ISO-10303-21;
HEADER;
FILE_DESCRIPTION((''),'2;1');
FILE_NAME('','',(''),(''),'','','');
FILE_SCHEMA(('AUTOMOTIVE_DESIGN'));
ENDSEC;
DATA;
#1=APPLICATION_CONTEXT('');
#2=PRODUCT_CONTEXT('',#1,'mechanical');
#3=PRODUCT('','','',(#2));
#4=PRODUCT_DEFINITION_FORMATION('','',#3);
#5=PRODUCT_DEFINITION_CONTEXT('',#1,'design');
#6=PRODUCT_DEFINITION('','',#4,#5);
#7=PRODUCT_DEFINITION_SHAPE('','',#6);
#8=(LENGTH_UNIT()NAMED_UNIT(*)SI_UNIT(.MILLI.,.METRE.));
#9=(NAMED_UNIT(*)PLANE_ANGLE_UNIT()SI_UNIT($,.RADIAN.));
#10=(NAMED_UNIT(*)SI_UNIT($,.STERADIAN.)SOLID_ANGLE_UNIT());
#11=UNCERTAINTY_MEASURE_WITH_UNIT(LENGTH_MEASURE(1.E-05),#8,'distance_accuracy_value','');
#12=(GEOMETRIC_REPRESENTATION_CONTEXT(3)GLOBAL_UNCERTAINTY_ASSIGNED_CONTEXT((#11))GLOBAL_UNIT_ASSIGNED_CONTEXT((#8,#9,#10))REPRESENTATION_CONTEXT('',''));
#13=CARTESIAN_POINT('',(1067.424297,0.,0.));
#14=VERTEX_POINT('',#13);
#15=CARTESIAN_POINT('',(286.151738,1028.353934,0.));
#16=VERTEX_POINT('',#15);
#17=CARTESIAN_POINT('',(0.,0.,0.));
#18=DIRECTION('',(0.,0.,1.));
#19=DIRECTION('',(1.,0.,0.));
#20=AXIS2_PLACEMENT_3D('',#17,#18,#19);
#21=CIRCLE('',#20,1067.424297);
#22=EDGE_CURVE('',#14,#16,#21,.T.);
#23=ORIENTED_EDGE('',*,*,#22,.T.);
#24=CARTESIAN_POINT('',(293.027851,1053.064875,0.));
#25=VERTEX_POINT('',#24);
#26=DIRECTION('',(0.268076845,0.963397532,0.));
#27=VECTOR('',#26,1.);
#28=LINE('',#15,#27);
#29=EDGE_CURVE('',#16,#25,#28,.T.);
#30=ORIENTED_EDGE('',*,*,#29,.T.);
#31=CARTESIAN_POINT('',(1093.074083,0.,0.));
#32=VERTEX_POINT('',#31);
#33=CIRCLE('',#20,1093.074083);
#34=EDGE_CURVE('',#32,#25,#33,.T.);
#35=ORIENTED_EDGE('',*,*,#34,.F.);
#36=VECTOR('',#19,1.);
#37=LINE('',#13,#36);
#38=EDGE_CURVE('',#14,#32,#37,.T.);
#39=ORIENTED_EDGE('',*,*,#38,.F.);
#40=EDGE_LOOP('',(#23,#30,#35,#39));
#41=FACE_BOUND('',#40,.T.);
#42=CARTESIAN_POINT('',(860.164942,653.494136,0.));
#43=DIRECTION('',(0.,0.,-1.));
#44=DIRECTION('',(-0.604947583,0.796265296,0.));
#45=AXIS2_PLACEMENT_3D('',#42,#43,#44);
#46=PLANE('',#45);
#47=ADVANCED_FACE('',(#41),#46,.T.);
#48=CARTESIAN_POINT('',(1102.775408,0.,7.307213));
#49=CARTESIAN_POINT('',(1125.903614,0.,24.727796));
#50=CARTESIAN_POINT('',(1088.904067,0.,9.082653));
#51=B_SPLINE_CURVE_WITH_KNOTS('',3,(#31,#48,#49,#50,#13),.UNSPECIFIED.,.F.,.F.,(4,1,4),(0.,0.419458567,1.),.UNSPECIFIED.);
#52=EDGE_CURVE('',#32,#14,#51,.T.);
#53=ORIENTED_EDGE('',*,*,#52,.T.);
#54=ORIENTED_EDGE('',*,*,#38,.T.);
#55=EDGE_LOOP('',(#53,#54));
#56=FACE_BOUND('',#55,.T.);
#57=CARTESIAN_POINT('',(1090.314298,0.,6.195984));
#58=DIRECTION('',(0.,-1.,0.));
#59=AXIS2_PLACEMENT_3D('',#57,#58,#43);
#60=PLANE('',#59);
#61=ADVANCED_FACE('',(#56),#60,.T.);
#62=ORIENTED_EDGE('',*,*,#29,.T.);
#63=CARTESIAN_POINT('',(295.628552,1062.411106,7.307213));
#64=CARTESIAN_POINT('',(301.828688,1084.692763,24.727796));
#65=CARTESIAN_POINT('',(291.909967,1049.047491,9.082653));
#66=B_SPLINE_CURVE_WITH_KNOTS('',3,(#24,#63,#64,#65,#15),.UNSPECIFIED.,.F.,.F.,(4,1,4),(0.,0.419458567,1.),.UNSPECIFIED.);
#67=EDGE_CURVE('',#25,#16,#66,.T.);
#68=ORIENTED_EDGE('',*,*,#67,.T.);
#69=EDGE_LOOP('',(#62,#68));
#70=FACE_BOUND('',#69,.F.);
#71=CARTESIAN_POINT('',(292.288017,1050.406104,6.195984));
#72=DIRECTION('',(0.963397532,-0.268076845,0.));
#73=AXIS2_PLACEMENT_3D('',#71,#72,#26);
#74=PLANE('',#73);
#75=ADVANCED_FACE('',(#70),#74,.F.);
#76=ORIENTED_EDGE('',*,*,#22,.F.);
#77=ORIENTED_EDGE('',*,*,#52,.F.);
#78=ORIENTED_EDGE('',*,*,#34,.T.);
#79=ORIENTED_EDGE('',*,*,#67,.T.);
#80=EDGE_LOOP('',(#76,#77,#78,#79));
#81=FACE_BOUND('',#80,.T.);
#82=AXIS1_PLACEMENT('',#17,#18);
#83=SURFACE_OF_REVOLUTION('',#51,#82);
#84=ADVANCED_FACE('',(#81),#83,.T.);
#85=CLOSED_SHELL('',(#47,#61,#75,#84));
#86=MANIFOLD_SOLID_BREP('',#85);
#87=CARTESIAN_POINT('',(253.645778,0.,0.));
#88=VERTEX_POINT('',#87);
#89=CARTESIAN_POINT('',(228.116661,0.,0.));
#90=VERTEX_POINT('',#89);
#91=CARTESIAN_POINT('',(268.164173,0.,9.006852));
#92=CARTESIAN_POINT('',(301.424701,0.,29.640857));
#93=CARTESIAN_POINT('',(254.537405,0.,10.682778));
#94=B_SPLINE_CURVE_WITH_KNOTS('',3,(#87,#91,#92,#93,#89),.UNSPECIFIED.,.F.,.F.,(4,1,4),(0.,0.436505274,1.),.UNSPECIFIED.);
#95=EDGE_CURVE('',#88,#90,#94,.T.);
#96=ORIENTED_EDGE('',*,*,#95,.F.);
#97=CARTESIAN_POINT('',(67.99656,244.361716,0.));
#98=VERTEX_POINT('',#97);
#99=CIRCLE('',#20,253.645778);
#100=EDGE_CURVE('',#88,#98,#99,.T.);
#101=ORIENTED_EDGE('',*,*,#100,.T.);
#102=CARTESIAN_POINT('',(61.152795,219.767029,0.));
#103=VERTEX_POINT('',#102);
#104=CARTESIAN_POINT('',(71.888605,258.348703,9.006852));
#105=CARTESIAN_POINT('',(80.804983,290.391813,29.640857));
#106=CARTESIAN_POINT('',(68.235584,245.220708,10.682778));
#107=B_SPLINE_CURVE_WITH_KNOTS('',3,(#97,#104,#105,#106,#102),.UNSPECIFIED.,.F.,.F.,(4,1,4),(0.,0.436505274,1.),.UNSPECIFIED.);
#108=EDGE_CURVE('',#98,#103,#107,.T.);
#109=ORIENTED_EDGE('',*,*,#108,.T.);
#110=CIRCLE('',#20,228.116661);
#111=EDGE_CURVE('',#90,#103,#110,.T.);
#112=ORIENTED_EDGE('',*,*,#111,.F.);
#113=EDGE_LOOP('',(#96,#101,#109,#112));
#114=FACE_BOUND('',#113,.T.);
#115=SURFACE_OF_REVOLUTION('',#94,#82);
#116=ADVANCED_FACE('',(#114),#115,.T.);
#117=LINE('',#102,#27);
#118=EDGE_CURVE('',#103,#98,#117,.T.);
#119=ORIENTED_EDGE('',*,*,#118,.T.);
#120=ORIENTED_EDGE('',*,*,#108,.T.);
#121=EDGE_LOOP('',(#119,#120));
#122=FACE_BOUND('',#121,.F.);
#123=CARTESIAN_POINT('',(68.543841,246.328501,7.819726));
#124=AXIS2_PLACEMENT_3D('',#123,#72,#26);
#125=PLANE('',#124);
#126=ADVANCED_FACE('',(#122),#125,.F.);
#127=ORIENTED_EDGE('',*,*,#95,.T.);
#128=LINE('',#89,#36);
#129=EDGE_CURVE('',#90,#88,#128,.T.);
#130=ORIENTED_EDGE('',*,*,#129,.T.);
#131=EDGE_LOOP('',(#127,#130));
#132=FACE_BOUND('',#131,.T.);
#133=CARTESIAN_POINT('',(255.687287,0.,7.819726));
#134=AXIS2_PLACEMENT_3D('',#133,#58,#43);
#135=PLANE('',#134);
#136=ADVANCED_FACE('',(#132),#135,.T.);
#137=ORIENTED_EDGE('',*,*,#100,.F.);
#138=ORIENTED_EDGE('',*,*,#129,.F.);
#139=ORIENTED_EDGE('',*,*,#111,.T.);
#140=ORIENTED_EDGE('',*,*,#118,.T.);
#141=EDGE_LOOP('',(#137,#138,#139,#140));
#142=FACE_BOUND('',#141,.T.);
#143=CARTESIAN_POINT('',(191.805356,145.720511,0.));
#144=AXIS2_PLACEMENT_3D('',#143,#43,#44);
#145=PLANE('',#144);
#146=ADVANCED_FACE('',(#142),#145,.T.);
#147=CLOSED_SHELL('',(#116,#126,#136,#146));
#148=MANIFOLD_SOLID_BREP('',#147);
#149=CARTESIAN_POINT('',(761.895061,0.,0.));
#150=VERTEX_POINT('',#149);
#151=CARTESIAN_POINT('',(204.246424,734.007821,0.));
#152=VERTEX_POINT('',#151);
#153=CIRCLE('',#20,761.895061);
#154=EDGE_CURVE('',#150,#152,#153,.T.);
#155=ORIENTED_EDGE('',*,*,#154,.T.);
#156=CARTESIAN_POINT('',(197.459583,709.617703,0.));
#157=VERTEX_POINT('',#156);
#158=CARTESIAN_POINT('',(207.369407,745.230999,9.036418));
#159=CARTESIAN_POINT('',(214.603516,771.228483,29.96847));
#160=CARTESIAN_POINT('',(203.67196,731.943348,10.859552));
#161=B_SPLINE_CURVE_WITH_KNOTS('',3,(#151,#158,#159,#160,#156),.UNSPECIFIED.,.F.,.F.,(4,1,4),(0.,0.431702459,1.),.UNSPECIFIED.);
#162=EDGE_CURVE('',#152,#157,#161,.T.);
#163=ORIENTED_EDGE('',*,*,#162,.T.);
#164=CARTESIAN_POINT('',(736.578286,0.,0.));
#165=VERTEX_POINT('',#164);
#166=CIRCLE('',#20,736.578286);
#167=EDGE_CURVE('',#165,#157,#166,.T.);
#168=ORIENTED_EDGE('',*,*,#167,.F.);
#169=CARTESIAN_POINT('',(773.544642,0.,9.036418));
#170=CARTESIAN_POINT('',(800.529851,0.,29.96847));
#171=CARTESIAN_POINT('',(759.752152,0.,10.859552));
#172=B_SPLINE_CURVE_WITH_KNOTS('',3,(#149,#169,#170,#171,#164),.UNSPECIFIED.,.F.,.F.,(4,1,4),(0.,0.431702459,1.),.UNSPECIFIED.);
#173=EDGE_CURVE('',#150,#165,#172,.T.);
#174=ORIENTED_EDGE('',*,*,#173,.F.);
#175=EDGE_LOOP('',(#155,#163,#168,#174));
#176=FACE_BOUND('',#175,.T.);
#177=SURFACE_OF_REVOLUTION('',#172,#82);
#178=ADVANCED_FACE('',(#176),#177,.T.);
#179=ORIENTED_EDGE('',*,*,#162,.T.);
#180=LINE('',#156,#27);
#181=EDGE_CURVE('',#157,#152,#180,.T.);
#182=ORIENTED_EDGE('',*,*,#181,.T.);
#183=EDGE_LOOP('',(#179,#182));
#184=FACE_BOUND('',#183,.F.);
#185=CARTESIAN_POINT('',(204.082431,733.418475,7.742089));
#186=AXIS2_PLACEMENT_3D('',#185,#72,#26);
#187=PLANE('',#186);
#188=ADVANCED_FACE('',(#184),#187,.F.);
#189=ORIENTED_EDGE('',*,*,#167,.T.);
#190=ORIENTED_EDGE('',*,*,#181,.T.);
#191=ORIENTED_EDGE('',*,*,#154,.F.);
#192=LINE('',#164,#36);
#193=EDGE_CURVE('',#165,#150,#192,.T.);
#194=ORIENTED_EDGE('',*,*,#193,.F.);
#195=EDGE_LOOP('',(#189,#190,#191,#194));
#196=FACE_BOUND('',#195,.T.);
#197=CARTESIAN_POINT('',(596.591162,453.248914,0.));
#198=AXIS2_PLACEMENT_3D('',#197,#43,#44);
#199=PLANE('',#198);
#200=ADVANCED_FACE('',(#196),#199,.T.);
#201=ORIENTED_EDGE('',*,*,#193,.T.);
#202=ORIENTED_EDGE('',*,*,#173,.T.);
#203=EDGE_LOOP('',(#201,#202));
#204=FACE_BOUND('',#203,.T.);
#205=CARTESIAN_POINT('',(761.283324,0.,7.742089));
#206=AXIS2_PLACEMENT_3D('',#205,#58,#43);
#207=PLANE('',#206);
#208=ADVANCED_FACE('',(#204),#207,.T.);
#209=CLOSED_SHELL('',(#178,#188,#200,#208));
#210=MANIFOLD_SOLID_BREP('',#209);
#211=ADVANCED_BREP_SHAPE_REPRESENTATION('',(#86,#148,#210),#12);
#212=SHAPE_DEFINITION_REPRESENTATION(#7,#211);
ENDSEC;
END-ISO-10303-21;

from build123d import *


with BuildPart() as f2:
    # F2: sweep along a path in F0
    with BuildLine(Plane.XY) as f2_path:
        ThreePointArc((1092.2, 0), (869.6809567991, 660.7237496723), (292.7935297912, 1052.2227848286))
    # F1 (on Front) → F2 (sweep)
    with BuildSketch(Plane.XZ):
        with BuildLine():
            Line((228.1166613102, 0), (253.6457777023, 0))
            add(Edge.make_bspline(
                [(253.6457777023, 0), (268.1641733502, 9.0068520292), (301.4247008326, 29.6408571021), (254.5374051588, 10.6827777424), (228.1166613102, 0)],
                knots=[0, 0, 0, 0, 0.4365052736, 1, 1, 1, 1], degree=3))
        make_face()
    sweep(path=f2_path.line)


with BuildPart() as f4:
    # F4: sweep along a path in F0
    with BuildLine(Plane.XY) as f4_path:
        ThreePointArc((1092.2, 0), (869.6809567991, 660.7237496723), (292.7935297912, 1052.2227848286))
    # F3 (on Front) → F4 (sweep)
    with BuildSketch(Plane.XZ):
        with BuildLine():
            Line((736.5782856941, 0), (761.8950605392, 0))
            add(Edge.make_bspline(
                [(736.5782856941, 0), (759.7521517192, 10.8595515777), (800.5298506456, 29.9684704015), (773.5446416296, 9.0364183457), (761.8950605392, 0)],
                knots=[0, 0, 0, 0, 0.5682975409, 1, 1, 1, 1], degree=3))
        make_face()
    sweep(path=f4_path.line)


with BuildPart() as f6:
    # F6: sweep along a path in F0
    with BuildLine(Plane.XY) as f6_path:
        ThreePointArc((1092.2, 0), (869.6809567991, 660.7237496723), (292.7935297912, 1052.2227848286))
    # F5 (on Front) → F6 (sweep)
    with BuildSketch(Plane.XZ):
        with BuildLine():
            Line((1067.4242973328, 0), (1093.0740833282, 0))
            add(Edge.make_bspline(
                [(1067.4242973328, 0), (1088.9040672541, 9.0826533499), (1125.9036140258, 24.7277956704), (1102.7754076293, 7.3072127426), (1093.0740833282, 0)],
                knots=[0, 0, 0, 0, 0.5805414335, 1, 1, 1, 1], degree=3))
        make_face()
    sweep(path=f6_path.line)


solid = Compound([f2.part, f4.part, f6.part])
